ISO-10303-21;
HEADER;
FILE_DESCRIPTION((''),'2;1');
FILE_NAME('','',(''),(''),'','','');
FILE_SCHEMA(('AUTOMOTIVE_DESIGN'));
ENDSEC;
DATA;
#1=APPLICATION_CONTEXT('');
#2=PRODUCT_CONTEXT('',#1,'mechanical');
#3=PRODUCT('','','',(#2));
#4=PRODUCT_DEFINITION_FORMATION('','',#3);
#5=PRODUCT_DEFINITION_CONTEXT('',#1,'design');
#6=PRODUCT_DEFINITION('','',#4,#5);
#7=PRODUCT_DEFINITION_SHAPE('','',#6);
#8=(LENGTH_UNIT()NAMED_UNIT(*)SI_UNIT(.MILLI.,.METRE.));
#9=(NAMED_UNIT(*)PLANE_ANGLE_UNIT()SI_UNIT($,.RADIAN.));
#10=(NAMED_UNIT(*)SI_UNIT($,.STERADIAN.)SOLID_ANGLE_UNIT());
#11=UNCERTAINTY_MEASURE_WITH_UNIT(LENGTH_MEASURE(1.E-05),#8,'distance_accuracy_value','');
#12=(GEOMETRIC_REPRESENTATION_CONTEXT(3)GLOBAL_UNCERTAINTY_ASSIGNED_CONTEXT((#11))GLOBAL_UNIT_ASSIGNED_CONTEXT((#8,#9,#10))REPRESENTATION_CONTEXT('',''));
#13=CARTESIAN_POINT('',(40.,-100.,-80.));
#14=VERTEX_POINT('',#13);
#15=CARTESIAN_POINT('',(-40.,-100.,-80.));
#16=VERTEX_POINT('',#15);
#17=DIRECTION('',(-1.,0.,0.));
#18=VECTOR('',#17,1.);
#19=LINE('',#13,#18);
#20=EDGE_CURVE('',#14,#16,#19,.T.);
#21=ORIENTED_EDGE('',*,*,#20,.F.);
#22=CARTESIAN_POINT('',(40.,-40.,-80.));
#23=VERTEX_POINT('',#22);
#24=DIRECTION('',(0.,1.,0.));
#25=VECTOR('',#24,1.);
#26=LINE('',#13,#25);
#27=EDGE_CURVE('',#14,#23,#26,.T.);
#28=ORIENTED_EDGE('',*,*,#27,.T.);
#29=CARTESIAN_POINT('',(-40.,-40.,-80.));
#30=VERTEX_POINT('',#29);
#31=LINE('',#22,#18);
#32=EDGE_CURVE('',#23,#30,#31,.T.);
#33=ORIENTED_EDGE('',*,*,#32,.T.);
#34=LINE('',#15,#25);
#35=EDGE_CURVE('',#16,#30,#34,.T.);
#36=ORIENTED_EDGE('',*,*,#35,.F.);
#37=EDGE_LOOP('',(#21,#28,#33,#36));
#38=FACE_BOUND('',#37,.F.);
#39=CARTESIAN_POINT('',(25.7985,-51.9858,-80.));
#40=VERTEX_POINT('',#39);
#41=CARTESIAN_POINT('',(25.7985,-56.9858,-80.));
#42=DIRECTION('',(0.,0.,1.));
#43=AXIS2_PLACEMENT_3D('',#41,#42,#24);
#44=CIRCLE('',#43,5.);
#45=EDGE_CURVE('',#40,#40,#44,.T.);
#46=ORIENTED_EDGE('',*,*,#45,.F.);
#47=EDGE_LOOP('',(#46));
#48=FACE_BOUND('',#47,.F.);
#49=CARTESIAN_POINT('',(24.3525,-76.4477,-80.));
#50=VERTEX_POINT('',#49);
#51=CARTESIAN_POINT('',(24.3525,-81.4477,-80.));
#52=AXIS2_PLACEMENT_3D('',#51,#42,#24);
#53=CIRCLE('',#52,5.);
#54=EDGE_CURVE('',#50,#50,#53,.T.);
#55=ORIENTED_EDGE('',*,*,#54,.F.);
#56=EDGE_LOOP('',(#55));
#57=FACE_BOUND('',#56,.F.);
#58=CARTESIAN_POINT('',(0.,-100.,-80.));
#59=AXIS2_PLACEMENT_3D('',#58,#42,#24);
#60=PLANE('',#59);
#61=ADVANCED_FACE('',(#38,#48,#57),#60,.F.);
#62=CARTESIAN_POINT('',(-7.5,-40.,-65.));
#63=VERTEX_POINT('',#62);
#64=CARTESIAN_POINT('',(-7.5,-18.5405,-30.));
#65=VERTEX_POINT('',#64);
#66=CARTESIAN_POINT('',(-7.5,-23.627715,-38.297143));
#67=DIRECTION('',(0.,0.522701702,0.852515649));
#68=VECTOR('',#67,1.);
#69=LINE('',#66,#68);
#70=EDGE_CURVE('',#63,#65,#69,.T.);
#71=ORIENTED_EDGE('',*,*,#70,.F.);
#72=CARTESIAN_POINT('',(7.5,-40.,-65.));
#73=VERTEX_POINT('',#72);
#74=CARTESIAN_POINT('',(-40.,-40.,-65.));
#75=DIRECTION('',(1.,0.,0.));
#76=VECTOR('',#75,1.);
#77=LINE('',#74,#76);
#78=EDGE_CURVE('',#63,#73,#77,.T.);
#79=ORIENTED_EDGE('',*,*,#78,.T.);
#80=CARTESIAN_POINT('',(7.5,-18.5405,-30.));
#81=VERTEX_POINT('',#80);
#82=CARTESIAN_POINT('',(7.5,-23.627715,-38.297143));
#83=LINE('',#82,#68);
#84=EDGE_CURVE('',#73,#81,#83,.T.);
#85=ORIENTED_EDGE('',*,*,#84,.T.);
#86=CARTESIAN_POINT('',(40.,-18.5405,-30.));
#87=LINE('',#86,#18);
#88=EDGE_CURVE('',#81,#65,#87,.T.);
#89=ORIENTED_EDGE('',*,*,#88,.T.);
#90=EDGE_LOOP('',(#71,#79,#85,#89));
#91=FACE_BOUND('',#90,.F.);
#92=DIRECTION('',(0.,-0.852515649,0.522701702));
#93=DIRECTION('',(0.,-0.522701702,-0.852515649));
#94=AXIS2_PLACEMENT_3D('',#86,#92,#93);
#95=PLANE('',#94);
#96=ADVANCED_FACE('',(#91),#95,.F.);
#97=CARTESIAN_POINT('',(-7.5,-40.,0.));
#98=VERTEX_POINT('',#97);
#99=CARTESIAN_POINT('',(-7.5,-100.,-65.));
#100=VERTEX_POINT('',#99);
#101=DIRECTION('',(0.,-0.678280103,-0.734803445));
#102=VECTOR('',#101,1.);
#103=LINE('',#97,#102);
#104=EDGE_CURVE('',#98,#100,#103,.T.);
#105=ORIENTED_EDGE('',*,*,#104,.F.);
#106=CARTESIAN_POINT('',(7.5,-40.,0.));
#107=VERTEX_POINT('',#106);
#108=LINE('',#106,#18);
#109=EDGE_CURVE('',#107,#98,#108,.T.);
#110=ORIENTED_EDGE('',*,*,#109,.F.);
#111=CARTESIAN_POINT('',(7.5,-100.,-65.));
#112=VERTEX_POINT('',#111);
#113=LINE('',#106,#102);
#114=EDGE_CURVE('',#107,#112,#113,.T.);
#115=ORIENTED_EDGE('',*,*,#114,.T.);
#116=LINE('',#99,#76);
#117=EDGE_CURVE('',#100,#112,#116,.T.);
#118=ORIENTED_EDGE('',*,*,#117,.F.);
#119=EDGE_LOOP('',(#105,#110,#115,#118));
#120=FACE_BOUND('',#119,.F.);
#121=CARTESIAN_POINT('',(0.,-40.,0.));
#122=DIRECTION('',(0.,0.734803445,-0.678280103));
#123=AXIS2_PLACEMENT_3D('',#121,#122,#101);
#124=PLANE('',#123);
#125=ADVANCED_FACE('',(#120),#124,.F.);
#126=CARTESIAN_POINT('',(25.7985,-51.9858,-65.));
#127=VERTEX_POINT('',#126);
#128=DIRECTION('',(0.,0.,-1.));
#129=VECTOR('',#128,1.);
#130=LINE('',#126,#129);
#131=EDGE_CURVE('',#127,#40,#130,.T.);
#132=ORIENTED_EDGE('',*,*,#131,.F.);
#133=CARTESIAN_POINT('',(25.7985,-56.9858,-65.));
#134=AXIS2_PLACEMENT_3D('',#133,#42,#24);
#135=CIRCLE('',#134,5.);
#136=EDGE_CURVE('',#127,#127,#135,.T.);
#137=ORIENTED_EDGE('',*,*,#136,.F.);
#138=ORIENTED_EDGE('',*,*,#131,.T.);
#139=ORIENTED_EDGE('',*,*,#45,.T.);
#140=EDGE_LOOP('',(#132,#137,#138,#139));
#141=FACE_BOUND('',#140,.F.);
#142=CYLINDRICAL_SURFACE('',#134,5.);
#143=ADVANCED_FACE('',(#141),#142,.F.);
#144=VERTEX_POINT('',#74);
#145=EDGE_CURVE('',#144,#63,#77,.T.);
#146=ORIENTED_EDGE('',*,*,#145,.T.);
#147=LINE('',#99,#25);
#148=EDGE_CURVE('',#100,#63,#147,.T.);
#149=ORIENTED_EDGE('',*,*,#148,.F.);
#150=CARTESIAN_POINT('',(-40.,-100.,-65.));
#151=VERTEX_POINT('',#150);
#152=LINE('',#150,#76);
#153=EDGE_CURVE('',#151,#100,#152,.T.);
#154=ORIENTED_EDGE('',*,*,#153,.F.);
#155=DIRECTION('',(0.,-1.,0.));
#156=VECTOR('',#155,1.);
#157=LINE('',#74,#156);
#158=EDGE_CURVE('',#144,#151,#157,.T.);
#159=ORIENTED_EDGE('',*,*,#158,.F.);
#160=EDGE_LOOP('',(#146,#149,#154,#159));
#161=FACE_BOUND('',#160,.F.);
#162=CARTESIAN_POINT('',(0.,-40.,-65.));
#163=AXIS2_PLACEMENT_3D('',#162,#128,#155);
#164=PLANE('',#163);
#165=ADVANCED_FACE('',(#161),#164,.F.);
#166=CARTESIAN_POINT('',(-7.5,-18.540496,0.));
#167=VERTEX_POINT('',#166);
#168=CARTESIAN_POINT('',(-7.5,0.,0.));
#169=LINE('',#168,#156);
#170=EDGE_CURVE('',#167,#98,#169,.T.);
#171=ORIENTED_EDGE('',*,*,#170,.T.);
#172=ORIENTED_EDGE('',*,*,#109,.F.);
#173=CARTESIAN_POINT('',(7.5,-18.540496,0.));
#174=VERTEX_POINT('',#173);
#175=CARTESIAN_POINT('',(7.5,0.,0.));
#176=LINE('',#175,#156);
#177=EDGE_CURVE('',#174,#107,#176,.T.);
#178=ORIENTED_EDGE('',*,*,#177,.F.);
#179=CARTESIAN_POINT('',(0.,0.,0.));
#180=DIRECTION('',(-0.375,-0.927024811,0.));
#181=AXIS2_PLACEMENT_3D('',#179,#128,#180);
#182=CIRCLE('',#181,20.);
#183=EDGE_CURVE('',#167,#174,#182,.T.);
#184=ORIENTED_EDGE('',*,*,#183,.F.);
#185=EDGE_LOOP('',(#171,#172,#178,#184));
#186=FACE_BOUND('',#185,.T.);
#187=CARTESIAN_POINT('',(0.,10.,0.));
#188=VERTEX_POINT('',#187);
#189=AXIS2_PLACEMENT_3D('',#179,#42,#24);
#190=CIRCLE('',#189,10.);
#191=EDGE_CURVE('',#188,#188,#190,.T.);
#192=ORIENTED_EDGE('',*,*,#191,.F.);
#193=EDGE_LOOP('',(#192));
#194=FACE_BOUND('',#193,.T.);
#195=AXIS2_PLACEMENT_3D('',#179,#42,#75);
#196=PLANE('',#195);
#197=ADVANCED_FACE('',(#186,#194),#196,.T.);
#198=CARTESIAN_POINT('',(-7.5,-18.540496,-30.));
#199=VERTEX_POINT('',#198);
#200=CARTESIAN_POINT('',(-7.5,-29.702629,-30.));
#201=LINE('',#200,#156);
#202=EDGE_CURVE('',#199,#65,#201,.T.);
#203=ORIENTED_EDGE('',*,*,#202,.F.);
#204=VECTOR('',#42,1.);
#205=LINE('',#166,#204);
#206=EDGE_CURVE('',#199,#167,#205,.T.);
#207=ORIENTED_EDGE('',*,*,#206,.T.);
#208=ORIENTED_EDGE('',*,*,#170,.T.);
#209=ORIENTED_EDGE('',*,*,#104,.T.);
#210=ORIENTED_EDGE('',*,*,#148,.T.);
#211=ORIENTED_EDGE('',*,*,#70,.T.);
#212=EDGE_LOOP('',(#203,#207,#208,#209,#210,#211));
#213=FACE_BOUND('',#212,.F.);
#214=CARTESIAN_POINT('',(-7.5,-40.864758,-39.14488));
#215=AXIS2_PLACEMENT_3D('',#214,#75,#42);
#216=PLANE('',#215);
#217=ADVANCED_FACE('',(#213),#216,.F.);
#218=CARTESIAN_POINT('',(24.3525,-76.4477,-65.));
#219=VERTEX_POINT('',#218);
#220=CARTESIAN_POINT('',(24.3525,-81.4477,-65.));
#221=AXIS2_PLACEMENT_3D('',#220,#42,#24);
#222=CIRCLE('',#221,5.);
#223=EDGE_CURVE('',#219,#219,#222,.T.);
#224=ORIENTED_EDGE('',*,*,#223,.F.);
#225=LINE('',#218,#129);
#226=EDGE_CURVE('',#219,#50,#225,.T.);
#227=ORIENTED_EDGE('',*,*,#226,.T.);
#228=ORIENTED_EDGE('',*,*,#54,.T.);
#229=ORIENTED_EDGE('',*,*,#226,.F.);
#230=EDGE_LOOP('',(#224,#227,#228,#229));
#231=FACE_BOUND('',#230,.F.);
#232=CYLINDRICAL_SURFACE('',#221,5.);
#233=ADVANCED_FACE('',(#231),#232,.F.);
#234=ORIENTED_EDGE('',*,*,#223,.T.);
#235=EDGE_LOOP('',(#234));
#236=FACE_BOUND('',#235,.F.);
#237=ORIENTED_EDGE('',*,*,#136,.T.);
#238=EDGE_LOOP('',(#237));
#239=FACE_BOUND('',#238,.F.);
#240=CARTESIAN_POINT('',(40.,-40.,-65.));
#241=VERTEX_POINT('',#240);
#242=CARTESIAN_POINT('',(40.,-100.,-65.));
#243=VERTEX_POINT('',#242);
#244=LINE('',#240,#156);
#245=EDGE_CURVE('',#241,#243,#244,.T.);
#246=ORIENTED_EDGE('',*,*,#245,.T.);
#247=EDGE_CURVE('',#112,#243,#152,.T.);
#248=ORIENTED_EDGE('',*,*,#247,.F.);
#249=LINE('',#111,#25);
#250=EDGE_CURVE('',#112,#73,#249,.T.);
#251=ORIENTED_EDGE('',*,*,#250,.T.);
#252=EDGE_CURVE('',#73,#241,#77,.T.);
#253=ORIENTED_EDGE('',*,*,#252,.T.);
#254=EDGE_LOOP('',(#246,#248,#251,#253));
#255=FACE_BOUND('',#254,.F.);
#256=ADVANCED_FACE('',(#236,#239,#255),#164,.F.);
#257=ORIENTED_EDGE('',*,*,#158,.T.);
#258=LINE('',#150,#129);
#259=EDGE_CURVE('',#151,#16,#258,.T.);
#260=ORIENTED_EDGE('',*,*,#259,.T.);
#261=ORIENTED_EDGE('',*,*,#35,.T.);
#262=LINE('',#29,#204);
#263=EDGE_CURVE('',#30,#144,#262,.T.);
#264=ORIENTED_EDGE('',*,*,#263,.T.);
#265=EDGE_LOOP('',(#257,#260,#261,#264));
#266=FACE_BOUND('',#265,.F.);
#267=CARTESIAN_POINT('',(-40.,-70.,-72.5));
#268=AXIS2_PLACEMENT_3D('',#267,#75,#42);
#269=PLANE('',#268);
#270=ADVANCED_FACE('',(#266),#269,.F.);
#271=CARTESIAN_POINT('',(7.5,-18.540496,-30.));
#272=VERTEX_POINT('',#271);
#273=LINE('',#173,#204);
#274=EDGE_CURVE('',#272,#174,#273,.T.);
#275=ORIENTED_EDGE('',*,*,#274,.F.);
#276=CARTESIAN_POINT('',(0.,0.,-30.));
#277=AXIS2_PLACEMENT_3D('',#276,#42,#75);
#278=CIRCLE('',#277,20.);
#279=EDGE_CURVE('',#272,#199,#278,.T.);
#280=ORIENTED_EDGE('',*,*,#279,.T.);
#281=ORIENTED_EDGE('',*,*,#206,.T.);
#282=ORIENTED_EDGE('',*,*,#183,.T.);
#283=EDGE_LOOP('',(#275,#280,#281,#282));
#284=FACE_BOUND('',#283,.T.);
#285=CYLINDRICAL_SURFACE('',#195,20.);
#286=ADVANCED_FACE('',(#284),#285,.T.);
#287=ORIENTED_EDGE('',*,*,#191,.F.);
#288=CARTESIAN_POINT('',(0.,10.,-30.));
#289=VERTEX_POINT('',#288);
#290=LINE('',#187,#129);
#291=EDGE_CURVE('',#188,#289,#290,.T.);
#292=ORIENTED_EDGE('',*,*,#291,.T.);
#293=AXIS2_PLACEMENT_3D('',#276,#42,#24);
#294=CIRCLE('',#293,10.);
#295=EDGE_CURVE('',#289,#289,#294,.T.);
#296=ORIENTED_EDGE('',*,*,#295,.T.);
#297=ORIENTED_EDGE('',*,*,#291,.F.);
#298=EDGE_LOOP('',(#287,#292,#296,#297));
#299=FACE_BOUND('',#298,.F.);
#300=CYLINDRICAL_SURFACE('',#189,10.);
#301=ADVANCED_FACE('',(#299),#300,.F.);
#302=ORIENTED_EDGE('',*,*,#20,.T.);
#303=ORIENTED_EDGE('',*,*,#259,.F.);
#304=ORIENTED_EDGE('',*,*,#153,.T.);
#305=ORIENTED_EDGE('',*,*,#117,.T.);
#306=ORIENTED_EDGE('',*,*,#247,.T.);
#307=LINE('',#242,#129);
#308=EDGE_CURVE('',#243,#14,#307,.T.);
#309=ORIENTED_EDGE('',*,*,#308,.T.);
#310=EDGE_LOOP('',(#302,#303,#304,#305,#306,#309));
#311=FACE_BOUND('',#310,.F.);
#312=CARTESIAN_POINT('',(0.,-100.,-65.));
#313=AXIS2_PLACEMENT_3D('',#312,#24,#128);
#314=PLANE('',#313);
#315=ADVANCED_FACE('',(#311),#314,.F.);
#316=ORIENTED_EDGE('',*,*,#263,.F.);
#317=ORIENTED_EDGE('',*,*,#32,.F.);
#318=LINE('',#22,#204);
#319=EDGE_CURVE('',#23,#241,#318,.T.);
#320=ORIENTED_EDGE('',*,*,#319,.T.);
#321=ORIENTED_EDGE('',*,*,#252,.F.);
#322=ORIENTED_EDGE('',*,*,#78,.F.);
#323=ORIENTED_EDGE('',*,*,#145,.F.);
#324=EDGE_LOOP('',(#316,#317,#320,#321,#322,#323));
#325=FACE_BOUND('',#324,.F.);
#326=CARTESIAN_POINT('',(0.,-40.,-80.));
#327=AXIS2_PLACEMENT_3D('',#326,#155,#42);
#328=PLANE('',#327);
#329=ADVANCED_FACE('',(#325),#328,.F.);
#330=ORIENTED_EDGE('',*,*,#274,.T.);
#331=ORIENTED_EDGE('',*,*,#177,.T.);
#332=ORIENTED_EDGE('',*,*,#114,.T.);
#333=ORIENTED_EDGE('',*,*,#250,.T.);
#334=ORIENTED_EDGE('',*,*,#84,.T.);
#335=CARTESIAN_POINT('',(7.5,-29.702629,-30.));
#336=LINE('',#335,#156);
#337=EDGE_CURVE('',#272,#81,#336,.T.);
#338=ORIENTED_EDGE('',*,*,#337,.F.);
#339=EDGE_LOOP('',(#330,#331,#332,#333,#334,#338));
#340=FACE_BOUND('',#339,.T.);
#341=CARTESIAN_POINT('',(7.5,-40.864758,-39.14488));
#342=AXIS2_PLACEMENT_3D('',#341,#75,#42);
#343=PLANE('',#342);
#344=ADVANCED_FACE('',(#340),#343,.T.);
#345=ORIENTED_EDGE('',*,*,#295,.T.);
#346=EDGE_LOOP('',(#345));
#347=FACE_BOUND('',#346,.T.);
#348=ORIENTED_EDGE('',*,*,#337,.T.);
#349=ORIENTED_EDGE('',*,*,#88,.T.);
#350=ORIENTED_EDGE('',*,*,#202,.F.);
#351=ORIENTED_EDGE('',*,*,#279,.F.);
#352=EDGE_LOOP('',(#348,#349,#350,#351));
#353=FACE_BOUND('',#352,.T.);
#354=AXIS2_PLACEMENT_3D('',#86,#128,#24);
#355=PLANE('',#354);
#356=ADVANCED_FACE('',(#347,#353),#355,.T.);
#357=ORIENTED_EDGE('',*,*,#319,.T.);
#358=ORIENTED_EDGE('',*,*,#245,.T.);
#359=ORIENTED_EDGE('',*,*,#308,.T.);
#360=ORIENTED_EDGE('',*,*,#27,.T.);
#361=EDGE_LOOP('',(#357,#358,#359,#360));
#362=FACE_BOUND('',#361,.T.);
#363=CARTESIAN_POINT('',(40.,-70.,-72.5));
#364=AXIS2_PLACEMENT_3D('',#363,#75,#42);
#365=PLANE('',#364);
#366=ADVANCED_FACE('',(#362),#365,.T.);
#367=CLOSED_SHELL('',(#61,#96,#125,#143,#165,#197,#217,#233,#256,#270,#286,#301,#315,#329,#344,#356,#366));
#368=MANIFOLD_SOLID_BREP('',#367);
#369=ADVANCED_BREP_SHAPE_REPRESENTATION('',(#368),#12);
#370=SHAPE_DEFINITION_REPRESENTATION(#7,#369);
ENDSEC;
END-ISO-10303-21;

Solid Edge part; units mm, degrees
sketch "Sketch1" plane through (0, 0, 0) normal (0, 0, 1) x (1, 0, 0)
  circle A0 centre (0, 0) radius 20
extrude "Protrusion1" add sketch "Sketch1" against normal blind 35
sketch "Sketch2" plane through (0, 0, 0) normal (1, 0, 0) x (0, 1, 0)
  line L0 (-40, 0) -> (-100, -65)
  line L1 (-100, -65) -> (0, -65)
  line L2 (0, -65) -> (0, 0)
  line L3 (0, 0) -> (-40, 0)
extrude "拉延_2" add sketch "Sketch2" along normal mid plane 15
sketch "Sketch3" plane through (0, 0, 0) normal (1, 0, 0) x (0, 1, 0)
  line L0 (-40, -80) -> (-40, -65)
  line L1 (-40, -65) -> (-100, -65)
  line L2 (-100, -65) -> (-100, -80)
  line L3 (-100, -80) -> (-40, -80)
extrude "拉延_3" add sketch "Sketch3" along normal mid plane 80
sketch "Sketch4" plane through (40, 0, 0) normal (1, 0, 0) x (0, 1, 0)
  line L0 (-18.5405, -30) -> (29.7908, -30)
  line L1 (29.7908, -65) -> (29.7908, -30)
  line L2 (-40, -65) -> (29.7908, -65)
  line L3 (-18.5405, -30) -> (-40, -65)
extrude "Cutout1" cut sketch "Sketch4" against normal up to next
sketch "Sketch5" plane through (0, -10, 0) normal (0, 0, 1) x (0, 1, 0)
  circle A0 centre (10, 0) radius 10
extrude "Cutout2" cut sketch "Sketch5" against normal up to next
sketch "Sketch6" plane through (23.75, -70, -65) normal (0, 0, 1) x (0, 1, 0)
  circle A0 centre (13.0142, -2.0485) radius 5
  circle A1 centre (-11.4477, -0.6025) radius 5
  dimension "D1" = 10
extrude "Cutout3" cut sketch "Sketch6" against normal up to next
properties material "ABS Plastic, high impact"
